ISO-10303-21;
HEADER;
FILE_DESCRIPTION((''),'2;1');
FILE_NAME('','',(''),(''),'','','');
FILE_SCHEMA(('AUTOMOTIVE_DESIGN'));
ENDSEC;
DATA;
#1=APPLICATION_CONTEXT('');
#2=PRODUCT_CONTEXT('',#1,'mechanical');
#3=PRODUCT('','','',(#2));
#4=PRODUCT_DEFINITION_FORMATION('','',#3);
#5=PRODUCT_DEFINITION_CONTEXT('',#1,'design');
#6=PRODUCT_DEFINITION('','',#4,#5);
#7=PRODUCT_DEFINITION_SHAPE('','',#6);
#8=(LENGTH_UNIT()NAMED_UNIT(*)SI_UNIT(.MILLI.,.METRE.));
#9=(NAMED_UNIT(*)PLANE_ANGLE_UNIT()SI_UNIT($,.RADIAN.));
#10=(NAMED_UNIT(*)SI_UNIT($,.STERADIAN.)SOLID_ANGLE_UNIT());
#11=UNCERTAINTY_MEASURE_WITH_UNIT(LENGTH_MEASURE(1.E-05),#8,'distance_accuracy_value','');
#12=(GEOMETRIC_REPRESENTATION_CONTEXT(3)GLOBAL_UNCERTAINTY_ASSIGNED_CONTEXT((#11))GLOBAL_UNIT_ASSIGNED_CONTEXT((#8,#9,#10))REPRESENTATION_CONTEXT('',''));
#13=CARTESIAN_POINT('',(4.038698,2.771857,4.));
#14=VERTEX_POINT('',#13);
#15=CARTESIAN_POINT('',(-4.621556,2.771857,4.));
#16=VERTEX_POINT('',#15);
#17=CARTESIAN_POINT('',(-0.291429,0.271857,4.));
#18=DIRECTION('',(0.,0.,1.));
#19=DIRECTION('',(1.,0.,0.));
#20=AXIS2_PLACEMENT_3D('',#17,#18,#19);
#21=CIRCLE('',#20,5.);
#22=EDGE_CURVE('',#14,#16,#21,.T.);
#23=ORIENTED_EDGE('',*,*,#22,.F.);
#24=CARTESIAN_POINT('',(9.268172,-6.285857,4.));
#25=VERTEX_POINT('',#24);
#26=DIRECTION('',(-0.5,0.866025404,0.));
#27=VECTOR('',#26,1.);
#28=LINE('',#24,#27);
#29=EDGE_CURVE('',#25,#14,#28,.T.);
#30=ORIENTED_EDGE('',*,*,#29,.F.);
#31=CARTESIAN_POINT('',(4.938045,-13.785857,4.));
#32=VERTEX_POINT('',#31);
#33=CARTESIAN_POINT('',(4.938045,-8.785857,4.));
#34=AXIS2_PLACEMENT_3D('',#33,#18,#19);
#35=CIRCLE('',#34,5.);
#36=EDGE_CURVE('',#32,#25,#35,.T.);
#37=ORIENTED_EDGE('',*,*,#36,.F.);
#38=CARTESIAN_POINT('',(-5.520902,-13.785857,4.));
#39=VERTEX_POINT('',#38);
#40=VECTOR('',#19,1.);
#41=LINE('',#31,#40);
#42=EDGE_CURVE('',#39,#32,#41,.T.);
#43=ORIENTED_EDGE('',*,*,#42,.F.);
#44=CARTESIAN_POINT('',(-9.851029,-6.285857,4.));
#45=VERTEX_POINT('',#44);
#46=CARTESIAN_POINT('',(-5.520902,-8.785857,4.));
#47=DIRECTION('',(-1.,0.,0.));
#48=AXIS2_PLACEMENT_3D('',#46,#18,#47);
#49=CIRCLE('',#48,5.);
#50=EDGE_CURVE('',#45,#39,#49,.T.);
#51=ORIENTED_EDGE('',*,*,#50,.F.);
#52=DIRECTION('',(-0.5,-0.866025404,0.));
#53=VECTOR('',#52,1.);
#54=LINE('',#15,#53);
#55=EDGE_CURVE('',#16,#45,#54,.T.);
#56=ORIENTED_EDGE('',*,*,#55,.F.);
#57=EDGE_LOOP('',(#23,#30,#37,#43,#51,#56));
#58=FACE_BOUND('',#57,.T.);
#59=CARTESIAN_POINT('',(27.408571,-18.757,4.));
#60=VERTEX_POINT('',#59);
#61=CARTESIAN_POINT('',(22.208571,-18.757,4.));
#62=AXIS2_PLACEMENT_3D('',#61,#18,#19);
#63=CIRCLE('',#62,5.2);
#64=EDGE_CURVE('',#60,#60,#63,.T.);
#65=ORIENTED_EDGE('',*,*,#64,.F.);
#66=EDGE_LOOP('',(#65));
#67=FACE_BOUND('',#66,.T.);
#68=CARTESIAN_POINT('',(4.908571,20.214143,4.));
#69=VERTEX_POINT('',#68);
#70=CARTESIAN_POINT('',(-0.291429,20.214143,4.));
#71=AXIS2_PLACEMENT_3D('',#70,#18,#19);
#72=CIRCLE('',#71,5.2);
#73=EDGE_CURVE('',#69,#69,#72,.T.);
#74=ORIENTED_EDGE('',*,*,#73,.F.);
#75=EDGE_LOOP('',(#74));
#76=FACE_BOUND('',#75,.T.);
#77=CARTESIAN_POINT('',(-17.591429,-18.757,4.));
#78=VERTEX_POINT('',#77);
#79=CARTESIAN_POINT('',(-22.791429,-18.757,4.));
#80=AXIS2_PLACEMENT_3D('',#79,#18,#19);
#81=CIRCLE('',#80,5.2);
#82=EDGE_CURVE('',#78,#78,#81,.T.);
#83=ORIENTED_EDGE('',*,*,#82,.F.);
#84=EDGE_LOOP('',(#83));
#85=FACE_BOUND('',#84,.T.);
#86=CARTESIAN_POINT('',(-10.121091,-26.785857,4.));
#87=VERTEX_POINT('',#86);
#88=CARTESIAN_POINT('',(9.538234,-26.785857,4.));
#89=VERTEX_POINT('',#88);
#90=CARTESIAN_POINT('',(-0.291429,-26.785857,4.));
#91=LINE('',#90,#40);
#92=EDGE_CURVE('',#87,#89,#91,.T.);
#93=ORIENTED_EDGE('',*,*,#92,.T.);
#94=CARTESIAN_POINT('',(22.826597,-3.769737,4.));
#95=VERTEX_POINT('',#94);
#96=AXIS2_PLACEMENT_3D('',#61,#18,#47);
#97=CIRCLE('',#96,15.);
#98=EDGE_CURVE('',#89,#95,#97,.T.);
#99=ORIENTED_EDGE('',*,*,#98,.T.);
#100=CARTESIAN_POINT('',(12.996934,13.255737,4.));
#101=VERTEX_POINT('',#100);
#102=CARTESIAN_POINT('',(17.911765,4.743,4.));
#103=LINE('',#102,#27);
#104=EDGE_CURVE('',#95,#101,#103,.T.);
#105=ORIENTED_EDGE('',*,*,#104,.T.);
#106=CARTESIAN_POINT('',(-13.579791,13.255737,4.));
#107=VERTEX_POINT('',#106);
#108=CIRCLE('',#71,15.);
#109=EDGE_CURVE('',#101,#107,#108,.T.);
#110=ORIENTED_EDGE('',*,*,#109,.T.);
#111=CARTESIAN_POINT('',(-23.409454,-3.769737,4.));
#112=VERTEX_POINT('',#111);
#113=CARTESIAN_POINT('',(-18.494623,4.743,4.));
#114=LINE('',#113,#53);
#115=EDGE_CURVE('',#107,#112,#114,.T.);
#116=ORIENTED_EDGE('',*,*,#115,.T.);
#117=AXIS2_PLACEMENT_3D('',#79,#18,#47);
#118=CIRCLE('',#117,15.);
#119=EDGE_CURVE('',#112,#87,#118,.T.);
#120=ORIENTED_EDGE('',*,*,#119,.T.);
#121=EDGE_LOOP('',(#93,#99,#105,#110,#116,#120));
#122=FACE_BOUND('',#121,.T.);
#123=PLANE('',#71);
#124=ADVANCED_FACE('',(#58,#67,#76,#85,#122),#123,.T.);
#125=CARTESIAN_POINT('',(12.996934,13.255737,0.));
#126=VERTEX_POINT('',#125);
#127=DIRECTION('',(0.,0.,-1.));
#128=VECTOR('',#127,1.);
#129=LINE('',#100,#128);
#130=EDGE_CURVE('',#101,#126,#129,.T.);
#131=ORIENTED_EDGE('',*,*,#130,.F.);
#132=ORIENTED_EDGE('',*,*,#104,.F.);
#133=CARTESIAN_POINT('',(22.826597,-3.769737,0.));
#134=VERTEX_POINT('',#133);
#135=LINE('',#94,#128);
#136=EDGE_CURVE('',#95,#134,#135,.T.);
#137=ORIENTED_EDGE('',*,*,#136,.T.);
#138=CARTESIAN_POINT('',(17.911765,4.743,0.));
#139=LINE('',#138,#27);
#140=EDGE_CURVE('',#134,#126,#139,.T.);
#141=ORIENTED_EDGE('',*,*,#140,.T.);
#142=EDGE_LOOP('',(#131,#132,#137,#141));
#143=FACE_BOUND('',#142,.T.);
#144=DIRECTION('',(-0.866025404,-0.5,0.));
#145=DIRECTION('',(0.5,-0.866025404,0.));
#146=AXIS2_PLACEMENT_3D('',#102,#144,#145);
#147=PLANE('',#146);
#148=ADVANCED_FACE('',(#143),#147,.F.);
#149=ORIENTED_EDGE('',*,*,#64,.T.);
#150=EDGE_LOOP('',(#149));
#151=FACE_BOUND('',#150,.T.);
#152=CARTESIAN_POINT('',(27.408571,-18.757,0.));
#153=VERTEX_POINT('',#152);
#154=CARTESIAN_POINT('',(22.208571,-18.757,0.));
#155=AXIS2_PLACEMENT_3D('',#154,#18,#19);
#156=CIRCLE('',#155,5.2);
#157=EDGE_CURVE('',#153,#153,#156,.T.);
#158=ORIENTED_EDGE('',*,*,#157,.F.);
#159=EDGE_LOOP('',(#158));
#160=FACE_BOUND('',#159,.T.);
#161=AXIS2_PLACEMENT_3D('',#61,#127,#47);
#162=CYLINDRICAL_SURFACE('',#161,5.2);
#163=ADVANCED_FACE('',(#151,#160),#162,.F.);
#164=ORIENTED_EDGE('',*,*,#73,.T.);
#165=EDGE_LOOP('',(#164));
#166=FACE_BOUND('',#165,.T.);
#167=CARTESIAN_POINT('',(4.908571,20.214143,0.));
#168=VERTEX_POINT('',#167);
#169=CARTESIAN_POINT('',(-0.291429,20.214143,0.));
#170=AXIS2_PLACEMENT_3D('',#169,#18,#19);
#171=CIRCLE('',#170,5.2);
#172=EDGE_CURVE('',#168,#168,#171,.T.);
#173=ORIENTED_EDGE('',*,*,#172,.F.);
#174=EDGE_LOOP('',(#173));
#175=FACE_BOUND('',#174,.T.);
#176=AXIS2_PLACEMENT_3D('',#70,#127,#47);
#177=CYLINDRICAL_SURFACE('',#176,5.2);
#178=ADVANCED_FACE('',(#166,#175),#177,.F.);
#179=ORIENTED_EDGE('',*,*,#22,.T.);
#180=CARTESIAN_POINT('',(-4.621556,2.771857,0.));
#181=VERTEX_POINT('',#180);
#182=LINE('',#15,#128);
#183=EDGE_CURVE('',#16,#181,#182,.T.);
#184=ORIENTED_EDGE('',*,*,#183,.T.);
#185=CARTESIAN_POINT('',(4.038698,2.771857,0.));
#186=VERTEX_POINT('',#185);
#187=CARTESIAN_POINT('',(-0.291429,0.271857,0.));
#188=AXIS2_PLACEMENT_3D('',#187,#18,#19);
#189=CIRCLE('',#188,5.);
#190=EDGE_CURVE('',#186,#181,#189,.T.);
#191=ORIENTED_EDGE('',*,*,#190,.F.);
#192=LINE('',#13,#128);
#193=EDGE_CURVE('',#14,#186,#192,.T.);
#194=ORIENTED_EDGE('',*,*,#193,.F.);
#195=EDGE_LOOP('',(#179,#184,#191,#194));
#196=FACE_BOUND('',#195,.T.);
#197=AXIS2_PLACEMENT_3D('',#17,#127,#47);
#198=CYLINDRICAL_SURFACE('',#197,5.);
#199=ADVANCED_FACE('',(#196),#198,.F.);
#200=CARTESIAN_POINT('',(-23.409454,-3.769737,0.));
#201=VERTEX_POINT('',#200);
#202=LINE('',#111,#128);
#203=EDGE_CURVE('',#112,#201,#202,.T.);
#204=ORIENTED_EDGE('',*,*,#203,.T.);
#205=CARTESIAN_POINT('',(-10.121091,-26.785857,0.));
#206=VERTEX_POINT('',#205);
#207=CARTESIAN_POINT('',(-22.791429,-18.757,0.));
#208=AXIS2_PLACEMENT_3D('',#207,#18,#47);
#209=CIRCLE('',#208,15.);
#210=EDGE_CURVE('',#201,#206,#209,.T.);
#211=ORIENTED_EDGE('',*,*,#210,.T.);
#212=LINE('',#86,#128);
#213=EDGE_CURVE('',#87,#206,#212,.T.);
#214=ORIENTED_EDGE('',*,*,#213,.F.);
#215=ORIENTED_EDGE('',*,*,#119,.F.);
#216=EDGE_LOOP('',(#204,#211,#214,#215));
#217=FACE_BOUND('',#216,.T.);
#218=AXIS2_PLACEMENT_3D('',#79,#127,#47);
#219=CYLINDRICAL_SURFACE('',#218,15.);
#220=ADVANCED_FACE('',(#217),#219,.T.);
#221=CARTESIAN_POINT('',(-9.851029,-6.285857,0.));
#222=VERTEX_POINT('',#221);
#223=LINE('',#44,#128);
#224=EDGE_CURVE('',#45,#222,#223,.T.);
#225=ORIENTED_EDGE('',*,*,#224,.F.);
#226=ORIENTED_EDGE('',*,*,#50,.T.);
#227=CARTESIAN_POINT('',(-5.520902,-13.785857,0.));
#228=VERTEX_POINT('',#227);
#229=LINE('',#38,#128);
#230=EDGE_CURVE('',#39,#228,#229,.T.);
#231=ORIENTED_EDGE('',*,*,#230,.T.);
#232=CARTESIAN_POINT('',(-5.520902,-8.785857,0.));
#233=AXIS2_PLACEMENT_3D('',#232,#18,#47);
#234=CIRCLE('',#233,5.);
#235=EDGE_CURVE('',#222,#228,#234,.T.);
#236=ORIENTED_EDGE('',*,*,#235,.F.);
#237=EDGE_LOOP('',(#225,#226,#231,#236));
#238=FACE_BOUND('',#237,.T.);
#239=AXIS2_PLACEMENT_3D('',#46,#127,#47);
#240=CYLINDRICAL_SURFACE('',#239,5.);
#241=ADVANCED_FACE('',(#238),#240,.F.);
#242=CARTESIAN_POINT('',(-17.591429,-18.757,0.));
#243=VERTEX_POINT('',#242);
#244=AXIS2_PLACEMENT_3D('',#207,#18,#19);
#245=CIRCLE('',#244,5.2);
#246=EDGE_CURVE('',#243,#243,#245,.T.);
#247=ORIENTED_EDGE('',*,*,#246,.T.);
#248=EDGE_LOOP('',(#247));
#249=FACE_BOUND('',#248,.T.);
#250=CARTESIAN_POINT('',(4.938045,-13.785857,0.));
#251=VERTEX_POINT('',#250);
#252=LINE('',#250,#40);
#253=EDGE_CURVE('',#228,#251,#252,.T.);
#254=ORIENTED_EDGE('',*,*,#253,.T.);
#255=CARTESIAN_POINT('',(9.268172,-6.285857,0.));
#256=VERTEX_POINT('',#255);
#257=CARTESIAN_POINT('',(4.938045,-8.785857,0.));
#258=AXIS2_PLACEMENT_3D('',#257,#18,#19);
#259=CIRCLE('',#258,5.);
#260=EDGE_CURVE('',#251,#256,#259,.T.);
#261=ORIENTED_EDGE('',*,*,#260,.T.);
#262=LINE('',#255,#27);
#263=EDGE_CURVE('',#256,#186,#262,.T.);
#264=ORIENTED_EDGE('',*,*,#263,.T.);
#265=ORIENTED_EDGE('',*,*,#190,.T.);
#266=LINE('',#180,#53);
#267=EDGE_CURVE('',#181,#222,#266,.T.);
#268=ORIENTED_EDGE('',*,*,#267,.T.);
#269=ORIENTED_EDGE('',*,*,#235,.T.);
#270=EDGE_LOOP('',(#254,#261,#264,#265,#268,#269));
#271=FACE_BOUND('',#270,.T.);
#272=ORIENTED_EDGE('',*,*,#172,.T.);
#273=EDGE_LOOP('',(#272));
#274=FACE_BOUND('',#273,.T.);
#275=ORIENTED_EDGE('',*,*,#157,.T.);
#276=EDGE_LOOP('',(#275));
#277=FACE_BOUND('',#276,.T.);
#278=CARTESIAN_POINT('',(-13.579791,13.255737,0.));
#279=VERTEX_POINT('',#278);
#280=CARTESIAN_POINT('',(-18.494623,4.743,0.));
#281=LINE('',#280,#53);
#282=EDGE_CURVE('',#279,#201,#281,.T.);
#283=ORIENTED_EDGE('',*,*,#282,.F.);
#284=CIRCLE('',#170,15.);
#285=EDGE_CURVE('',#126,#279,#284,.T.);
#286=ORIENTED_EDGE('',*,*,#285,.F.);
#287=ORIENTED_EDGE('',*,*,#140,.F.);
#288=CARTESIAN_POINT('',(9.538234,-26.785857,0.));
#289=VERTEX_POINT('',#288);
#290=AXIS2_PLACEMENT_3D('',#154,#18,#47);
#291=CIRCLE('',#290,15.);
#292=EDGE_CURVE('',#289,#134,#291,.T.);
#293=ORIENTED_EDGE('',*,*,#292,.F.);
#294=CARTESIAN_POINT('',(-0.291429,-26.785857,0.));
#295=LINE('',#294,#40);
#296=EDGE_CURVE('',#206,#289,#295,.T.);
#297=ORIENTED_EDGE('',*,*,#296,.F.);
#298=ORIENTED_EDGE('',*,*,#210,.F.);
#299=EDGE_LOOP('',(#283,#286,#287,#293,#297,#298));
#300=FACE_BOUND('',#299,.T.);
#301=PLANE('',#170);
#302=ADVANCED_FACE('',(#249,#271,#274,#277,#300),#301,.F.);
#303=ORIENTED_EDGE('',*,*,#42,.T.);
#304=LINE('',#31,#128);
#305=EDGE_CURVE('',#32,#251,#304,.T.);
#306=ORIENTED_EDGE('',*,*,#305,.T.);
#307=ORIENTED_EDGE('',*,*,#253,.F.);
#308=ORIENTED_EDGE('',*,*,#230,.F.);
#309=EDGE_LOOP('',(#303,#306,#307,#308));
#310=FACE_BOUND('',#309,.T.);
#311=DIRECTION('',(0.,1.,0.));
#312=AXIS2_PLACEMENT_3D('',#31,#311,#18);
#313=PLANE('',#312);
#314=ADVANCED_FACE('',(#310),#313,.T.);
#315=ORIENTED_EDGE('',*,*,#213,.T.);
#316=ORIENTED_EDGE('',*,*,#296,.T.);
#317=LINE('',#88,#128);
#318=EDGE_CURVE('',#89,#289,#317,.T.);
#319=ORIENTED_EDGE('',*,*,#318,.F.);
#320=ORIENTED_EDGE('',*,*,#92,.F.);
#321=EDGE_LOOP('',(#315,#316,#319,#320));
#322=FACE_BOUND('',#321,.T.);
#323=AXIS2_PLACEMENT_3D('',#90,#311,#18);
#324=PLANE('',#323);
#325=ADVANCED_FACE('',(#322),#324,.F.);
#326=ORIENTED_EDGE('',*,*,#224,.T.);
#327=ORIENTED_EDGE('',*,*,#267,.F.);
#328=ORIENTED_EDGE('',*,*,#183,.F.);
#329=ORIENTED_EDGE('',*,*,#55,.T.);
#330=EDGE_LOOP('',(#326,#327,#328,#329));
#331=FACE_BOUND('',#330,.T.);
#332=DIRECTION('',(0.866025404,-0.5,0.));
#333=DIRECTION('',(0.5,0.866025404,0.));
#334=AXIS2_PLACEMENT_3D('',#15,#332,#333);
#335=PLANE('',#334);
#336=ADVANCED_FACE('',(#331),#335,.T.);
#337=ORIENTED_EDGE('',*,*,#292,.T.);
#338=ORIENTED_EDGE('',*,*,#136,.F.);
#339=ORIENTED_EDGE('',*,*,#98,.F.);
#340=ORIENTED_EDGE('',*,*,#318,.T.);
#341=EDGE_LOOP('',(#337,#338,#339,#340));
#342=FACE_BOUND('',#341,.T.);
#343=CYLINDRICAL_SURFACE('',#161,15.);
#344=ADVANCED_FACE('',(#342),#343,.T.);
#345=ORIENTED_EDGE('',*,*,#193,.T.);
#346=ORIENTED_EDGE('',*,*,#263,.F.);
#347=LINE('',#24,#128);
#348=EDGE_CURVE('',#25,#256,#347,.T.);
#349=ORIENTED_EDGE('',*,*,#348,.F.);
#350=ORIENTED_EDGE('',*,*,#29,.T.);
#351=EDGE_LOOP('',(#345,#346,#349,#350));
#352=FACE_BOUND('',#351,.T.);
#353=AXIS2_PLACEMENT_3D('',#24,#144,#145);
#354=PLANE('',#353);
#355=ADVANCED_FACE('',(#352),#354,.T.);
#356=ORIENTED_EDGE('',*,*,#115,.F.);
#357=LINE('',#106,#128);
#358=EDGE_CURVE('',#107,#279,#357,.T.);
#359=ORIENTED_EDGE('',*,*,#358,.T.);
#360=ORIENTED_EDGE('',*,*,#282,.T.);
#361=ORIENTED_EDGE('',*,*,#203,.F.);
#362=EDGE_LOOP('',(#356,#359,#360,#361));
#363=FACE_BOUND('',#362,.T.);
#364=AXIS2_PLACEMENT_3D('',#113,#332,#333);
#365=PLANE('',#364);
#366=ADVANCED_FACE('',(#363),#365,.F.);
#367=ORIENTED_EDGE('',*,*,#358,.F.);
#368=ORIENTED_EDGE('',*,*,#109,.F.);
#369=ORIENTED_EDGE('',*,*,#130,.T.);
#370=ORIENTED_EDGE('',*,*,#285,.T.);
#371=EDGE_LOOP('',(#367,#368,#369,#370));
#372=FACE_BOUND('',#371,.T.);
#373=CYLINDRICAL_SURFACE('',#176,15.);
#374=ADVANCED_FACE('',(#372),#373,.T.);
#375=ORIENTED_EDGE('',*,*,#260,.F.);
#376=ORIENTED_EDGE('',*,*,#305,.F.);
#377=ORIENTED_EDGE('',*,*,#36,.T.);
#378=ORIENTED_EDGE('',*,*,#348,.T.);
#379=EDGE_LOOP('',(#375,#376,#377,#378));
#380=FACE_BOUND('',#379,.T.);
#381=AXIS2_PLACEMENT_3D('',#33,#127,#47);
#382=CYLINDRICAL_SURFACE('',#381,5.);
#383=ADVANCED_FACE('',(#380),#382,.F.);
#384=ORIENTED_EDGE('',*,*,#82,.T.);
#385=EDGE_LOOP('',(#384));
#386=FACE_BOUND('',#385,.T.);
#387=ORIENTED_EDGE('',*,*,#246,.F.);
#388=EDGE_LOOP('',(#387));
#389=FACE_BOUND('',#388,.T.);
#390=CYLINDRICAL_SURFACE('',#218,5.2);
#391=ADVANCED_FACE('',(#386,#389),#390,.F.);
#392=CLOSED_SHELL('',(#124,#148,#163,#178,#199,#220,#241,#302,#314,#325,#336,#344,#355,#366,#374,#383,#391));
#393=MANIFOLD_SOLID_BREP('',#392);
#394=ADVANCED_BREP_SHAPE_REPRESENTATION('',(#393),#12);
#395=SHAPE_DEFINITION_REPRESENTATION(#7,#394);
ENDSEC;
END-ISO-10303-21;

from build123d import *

# Parameters (mm, degrees)
SKETCH_1_R      = 5.2
EXTRUDE_1_DEPTH = 4


with BuildPart() as part:
    # 草图1 → 凸台-拉伸1 (new body)
    with BuildSketch(Plane.XY):
        with BuildLine():
            Line((-18.494622549, 4.742999843), (-23.409453688, -3.769737399))
            ThreePointArc((-23.409453688, -3.769737399), (-35.781809628, -26.257000157), (-10.121090849, -26.785856986))
            Line((-10.121090849, -26.785856986), (-0.291428571, -26.785856986))
            Line((-0.291428571, -26.785856986), (9.538233706, -26.785856986))
            ThreePointArc((9.538233706, -26.785856986), (35.198952485, -26.257000157), (22.826596545, -3.769737399))
            Line((22.826596545, -3.769737399), (17.911765406, 4.742999843))
            Line((17.911765406, 4.742999843), (12.996934268, 13.255737086))
            ThreePointArc((12.996934268, 13.255737086), (-0.291428571, 35.214143014), (-13.579791411, 13.255737086))
            Line((-13.579791411, 13.255737086), (-18.494622549, 4.742999843))
        make_face()
        with Locations((-0.291428571, 20.214143014)):
            Circle(SKETCH_1_R, mode=Mode.SUBTRACT)
        with Locations((22.208571429, -18.757000157)):
            Circle(SKETCH_1_R, mode=Mode.SUBTRACT)
        with Locations((-22.791428571, -18.757000157)):
            Circle(SKETCH_1_R, mode=Mode.SUBTRACT)
        with BuildLine():
            Line((9.268171867, -6.285856986), (4.038698447, 2.771856673))
            ThreePointArc((4.038698447, 2.771856673), (-0.291428571, 5.271856673), (-4.62155559, 2.771856673))
            Line((-4.62155559, 2.771856673), (-9.85102901, -6.285856986))
            ThreePointArc((-9.85102901, -6.285856986), (-9.85102901, -11.285856986), (-5.520901991, -13.785856986))
            Line((-5.520901991, -13.785856986), (4.938044848, -13.785856986))
            ThreePointArc((4.938044848, -13.785856986), (9.268171867, -11.285856986), (9.268171867, -6.285856986))
        make_face(mode=Mode.SUBTRACT)
    extrude(amount=EXTRUDE_1_DEPTH)


solid = part.part
